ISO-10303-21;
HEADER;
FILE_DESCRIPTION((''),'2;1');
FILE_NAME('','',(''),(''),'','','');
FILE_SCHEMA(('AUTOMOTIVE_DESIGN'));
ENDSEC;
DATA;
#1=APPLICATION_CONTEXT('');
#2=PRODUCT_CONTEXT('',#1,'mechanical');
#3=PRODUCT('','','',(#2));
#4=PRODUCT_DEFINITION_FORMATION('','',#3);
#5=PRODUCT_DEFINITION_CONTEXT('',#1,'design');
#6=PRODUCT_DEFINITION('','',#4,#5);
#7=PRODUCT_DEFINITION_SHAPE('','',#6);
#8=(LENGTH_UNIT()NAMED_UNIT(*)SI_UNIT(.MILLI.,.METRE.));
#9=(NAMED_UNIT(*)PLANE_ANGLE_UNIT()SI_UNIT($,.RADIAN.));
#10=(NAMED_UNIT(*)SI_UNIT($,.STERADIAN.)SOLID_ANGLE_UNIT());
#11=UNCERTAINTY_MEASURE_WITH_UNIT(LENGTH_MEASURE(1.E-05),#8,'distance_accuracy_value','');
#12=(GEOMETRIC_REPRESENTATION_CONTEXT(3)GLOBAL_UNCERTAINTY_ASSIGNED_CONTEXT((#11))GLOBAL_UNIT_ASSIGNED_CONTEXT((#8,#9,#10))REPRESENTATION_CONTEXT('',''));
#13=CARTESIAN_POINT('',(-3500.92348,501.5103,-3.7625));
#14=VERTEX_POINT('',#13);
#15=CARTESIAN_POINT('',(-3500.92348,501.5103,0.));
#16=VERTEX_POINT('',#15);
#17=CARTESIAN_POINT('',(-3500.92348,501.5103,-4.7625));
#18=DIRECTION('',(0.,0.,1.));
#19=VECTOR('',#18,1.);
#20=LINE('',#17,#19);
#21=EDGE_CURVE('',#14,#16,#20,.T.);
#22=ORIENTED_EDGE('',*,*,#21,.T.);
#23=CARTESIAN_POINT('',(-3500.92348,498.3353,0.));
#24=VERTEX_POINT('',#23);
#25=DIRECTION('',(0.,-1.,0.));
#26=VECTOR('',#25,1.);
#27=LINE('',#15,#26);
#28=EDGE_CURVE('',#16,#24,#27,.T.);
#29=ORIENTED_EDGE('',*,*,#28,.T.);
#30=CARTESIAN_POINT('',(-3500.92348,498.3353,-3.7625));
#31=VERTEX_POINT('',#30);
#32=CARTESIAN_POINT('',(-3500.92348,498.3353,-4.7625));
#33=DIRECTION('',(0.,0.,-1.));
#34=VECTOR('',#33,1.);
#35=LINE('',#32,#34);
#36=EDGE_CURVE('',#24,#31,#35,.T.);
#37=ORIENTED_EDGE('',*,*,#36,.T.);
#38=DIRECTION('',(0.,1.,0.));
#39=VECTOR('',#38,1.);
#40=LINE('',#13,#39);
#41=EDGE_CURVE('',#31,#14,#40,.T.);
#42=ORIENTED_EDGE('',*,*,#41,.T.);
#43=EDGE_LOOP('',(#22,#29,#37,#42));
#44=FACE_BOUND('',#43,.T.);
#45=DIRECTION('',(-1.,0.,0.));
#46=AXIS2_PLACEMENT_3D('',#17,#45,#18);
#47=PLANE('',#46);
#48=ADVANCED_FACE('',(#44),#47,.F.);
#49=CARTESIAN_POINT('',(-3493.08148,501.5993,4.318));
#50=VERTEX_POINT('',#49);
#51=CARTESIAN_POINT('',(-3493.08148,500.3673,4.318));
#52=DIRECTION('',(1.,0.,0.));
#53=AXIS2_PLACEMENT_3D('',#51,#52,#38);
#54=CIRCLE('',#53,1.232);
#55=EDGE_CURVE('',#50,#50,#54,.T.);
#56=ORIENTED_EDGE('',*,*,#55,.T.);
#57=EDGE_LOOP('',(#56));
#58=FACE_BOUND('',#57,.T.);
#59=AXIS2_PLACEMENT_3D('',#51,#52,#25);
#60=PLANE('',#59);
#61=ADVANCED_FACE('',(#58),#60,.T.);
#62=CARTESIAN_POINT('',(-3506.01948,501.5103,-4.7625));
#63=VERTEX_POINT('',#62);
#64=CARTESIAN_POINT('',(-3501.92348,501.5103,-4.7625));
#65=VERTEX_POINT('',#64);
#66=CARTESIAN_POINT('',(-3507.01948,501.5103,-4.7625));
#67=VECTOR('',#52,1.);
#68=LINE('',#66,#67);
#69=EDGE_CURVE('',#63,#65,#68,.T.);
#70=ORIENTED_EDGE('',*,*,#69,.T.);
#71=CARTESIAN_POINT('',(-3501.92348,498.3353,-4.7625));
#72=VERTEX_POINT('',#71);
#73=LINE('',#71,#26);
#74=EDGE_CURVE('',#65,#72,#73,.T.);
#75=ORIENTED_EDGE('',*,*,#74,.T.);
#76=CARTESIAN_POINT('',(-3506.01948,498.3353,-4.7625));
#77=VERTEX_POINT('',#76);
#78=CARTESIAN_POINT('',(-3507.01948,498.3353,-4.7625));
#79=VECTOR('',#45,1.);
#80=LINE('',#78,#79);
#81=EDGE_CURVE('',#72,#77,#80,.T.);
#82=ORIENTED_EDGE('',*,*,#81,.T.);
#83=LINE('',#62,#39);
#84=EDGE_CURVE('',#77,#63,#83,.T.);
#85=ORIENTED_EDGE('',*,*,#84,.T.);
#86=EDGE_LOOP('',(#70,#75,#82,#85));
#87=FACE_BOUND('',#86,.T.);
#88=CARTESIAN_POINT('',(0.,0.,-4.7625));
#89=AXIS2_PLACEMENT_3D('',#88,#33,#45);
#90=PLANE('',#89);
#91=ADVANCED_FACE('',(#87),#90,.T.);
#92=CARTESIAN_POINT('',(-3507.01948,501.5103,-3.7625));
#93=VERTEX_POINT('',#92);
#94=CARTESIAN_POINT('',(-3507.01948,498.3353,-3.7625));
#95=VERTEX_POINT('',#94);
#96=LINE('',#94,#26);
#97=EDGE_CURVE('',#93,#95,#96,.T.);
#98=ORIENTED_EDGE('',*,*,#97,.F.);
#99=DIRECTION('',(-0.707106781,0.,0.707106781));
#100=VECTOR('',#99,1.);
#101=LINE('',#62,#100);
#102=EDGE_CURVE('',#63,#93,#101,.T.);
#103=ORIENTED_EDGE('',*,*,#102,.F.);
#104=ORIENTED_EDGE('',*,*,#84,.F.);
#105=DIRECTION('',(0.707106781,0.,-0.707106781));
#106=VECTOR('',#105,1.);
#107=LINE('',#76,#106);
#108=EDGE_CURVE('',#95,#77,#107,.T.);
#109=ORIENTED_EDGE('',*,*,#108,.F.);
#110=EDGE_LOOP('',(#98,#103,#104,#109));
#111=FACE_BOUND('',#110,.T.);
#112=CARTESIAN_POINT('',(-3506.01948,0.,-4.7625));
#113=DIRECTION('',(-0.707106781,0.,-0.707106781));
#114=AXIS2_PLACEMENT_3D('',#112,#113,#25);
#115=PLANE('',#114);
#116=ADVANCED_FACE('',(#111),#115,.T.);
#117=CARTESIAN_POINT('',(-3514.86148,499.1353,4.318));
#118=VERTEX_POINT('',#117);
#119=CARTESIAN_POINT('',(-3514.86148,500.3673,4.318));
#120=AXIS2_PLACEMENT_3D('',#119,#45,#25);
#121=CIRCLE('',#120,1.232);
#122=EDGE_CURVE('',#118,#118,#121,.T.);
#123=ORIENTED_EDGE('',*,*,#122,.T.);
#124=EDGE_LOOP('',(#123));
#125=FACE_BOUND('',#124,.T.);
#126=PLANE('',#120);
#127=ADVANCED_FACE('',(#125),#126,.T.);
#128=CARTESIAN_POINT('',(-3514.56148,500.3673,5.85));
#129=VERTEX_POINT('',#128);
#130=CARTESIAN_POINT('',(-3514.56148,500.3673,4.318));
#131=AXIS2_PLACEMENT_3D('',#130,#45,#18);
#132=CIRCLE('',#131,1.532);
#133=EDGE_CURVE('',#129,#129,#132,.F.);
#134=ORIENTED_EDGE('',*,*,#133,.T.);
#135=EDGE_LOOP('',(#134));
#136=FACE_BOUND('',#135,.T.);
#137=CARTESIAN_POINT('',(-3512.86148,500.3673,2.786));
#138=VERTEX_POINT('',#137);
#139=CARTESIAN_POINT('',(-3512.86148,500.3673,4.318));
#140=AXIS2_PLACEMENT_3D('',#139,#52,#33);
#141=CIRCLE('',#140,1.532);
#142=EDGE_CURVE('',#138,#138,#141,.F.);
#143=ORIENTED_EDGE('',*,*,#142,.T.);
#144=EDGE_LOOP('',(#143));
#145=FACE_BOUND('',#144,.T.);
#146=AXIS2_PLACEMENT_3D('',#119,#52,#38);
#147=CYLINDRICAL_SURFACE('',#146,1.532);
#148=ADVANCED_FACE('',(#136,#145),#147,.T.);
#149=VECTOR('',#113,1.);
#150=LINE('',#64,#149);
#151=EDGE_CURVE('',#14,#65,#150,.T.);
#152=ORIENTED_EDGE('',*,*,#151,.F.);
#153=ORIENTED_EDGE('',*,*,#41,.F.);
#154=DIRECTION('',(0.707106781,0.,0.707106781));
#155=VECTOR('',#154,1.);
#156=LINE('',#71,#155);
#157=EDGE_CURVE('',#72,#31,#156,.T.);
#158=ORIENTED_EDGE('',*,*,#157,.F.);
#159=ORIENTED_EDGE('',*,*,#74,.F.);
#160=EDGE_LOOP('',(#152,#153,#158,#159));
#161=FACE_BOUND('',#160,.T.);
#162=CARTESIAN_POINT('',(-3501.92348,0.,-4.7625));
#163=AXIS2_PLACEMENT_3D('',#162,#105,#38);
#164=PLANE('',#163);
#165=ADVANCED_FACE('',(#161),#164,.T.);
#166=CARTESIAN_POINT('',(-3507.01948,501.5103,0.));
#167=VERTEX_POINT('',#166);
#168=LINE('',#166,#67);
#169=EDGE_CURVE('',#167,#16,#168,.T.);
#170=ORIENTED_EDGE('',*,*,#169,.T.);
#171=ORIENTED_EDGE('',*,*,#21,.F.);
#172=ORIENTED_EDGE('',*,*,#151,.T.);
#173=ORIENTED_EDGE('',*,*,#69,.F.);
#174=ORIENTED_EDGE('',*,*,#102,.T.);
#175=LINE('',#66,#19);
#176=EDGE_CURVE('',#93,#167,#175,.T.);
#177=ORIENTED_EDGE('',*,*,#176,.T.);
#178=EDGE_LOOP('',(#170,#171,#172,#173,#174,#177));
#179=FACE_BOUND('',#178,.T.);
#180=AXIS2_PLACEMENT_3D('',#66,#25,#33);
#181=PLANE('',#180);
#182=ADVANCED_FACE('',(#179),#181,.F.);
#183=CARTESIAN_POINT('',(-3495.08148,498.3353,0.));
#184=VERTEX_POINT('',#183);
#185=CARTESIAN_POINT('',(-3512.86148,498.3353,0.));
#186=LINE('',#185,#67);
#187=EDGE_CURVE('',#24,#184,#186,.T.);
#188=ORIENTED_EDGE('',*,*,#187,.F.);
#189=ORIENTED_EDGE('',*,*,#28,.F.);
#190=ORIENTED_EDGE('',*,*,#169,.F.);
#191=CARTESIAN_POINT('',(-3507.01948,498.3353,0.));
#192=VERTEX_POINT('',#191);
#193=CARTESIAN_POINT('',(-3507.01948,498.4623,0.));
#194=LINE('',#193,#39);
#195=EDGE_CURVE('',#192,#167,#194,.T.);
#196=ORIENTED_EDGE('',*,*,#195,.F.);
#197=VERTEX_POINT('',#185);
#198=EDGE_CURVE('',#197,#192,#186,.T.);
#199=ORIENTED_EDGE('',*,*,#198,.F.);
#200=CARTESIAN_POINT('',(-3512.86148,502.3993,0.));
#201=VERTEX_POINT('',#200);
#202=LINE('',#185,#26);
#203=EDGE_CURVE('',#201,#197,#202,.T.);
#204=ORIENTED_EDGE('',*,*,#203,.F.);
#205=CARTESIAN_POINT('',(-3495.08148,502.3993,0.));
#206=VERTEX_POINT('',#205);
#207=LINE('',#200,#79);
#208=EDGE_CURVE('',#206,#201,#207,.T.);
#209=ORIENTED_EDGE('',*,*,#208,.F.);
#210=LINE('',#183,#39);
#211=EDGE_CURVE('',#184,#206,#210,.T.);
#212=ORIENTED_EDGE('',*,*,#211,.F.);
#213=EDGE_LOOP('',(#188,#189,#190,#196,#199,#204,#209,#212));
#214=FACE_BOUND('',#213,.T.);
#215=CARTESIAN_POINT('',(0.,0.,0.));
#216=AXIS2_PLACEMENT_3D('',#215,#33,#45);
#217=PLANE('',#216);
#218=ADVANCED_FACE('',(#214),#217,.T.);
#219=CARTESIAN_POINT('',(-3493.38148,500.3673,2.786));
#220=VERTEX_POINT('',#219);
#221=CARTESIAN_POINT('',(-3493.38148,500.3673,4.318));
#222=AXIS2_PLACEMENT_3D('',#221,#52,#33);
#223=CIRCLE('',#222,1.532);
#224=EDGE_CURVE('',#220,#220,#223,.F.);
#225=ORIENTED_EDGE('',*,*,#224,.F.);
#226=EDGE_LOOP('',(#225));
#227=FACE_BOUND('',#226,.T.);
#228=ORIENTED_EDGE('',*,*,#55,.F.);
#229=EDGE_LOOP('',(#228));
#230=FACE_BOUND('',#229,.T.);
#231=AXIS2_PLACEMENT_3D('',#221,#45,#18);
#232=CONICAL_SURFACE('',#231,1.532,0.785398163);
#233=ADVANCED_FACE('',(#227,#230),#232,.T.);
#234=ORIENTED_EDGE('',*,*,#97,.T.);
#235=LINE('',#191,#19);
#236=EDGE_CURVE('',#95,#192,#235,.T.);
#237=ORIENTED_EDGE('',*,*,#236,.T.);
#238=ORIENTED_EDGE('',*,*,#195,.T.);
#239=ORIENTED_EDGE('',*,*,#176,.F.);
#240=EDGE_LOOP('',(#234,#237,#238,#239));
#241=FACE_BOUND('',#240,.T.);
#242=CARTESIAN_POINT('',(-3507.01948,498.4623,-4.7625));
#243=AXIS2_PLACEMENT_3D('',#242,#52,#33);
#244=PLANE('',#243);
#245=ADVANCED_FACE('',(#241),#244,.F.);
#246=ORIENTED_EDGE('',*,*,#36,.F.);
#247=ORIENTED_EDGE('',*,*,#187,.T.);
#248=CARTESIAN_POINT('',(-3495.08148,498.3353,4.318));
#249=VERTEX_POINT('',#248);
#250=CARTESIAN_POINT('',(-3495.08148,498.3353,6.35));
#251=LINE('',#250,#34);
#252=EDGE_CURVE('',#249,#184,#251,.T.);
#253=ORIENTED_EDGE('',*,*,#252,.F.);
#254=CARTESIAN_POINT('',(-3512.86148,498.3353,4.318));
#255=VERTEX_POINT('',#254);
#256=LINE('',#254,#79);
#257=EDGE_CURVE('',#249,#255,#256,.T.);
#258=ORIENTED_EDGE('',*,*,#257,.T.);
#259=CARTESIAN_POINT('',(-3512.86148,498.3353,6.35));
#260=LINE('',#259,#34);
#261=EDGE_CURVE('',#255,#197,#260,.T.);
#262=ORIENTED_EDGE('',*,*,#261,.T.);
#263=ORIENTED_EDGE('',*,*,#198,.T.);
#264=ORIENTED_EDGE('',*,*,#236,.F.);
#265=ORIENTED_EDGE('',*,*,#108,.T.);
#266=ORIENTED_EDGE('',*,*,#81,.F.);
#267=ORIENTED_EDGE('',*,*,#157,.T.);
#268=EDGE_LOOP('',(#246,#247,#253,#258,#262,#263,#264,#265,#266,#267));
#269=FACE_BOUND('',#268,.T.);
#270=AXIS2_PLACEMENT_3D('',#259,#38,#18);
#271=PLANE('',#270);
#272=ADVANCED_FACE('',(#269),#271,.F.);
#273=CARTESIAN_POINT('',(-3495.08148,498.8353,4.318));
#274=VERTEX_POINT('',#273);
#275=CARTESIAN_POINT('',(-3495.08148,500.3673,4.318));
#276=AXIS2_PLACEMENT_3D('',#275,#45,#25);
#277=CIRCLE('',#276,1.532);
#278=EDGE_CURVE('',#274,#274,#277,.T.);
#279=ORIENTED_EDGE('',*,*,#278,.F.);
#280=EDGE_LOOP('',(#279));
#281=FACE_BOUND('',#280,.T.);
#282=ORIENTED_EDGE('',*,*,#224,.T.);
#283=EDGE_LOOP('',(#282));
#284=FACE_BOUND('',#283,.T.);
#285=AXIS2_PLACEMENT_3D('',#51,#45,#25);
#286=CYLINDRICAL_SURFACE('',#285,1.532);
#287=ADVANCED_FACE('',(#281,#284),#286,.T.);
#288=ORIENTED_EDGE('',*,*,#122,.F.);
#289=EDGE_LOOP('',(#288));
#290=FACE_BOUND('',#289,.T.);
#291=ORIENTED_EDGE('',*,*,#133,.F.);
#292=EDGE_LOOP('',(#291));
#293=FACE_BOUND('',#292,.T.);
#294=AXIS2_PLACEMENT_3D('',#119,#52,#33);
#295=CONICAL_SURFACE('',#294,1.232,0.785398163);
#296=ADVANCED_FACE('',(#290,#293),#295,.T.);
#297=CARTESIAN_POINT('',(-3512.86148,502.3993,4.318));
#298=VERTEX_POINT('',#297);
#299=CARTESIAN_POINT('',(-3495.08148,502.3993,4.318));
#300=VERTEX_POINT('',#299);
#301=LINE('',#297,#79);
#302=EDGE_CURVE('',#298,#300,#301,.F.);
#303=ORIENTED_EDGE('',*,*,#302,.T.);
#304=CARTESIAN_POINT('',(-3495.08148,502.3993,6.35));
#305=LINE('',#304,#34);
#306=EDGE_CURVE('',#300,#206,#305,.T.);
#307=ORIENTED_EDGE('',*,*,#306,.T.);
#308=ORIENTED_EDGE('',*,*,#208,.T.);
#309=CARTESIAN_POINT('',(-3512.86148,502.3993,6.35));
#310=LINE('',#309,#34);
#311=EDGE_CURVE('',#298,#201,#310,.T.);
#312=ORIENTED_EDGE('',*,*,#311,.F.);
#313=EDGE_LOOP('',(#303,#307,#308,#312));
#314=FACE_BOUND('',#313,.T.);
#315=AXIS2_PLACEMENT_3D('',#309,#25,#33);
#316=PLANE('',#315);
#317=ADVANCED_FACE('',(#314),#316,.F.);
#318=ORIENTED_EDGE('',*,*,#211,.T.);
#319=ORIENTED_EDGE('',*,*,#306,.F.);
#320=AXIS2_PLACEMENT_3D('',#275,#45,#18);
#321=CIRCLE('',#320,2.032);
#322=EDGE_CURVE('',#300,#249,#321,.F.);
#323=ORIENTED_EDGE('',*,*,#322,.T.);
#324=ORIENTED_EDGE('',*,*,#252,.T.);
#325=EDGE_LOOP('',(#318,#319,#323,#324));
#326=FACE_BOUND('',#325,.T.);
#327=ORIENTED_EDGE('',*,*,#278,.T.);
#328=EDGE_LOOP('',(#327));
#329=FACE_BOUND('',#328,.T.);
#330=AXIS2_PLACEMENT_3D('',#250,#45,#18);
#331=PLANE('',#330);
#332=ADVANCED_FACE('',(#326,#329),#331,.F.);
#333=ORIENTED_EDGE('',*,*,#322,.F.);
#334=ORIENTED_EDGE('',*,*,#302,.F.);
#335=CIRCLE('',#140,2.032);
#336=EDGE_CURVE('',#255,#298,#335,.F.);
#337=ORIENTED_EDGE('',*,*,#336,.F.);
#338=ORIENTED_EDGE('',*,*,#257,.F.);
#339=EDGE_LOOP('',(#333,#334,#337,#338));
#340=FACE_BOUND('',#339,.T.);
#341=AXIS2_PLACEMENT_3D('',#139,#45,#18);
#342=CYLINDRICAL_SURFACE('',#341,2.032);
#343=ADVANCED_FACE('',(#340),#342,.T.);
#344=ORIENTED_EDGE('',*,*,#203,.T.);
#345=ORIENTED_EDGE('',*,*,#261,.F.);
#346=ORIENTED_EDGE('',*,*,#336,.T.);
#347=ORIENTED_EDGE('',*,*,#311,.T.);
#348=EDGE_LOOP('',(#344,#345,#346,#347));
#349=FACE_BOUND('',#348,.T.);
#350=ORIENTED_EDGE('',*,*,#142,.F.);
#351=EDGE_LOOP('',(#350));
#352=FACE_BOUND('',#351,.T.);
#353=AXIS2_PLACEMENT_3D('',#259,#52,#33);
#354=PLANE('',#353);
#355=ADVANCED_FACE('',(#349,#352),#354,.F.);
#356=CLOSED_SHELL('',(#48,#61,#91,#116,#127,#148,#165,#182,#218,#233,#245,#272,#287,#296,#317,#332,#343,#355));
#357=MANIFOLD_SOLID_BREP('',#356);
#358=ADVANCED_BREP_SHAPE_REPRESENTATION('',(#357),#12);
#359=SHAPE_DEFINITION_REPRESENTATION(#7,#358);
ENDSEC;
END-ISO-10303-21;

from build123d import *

# Parameters (mm, degrees)
SKETCH1_W                = 17.78
SKETCH1_H                = 4.064
BOSS_EXTRUDE1_DEPTH      = 6.35
FILLET1_RADIUS           = 2.032
FILLET1_LENGTH           = 17.78
SKETCH2_R                = 1.532
BOSS_EXTRUDE2_DEPTH      = 2
CHAMFER1_SIZE            = 0.3
CHAMFER1_OF_MIRROR1_SIZE = 0.3
SKETCH3_W                = 6.096
SKETCH3_H                = 3.048
BOSS_EXTRUDE3_DEPTH      = 4.7625
SKETCH4_W                = 6.096
SKETCH4_H                = 4.7625
BOSS_EXTRUDE4_DEPTH      = 0.127
CHAMFER2_SIZE            = 1


with BuildPart() as part:
    # Sketch1 → Boss-Extrude1 (new body)
    with BuildSketch(Plane.XY):
        with Locations((-3503.971479642, 500.3673)):
            Rectangle(SKETCH1_W, SKETCH1_H)
    extrude(amount=BOSS_EXTRUDE1_DEPTH)

    # Fillet1: full round fillet: the end face becomes a half cylinder, R = half its width
    fillet1_face = Plane((-3503.971479642, 500.3673, 6.35), x_dir=(1, 0, 0), z_dir=(0, 0, 1))  # on the end face: x along it, z out of the body
    fillet1_slab = fillet1_face.offset(-FILLET1_RADIUS / 2) * Box(FILLET1_LENGTH, 2 * FILLET1_RADIUS, FILLET1_RADIUS, mode=Mode.PRIVATE)  # the body's end, R deep
    fillet1_round = Plane((-3503.971479642, 500.3673, 4.318), x_dir=(0, 0, 1), z_dir=(1, 0, 0)) * Cylinder(FILLET1_RADIUS, FILLET1_LENGTH, mode=Mode.PRIVATE)  # its axis R under the face
    add(fillet1_slab - fillet1_round, mode=Mode.SUBTRACT)

    # Sketch2 → Boss-Extrude2 (add)
    with BuildSketch(Plane.ZY.offset(3512.861479642)):
        with Locations(Location((4.318, 500.3673, 0), (0, 0, 180))):
            Circle(SKETCH2_R)
    boss_extrude2 = extrude(amount=BOSS_EXTRUDE2_DEPTH)

    # Chamfer1
    chamfer1_edges = [part.edges().sort_by_distance(p)[0] for p in [
        (-3514.861479642, 500.3673, 5.85),
    ]]
    chamfer(chamfer1_edges, length=CHAMFER1_SIZE)

    # Mirror1: Boss-Extrude2 across plane
    add(boss_extrude2.mirror(Plane.ZY.offset(3503.971479642)))

    # Chamfer1 of Mirror1
    chamfer1_of_mirror1_edges = [part.edges().sort_by_distance(p)[0] for p in [
        (-3493.081479642, 500.3673, 5.85),
    ]]
    chamfer(chamfer1_of_mirror1_edges, length=CHAMFER1_OF_MIRROR1_SIZE)

    # Sketch3 → Boss-Extrude3 (add)
    with BuildSketch(Plane(origin=(0, 0, 0), x_dir=(-1, 0, 0), z_dir=(0, 0, -1))):
        with Locations((3503.971479642, 499.9863)):
            Rectangle(SKETCH3_W, SKETCH3_H)
    extrude(amount=BOSS_EXTRUDE3_DEPTH)

    # Sketch4 → Boss-Extrude4 (add)
    with BuildSketch(Plane.XZ.offset(-498.4623)):
        with Locations((-3503.971479642, -2.38125)):
            Rectangle(SKETCH4_W, SKETCH4_H)
    extrude(amount=BOSS_EXTRUDE4_DEPTH)

    # Chamfer2
    chamfer2_edges = [part.edges().sort_by_distance(p)[0] for p in [
        (-3500.923479642, 499.9228, -4.7625),
        (-3507.019479642, 499.9228, -4.7625),
    ]]
    chamfer(chamfer2_edges, length=CHAMFER2_SIZE)


solid = part.part
